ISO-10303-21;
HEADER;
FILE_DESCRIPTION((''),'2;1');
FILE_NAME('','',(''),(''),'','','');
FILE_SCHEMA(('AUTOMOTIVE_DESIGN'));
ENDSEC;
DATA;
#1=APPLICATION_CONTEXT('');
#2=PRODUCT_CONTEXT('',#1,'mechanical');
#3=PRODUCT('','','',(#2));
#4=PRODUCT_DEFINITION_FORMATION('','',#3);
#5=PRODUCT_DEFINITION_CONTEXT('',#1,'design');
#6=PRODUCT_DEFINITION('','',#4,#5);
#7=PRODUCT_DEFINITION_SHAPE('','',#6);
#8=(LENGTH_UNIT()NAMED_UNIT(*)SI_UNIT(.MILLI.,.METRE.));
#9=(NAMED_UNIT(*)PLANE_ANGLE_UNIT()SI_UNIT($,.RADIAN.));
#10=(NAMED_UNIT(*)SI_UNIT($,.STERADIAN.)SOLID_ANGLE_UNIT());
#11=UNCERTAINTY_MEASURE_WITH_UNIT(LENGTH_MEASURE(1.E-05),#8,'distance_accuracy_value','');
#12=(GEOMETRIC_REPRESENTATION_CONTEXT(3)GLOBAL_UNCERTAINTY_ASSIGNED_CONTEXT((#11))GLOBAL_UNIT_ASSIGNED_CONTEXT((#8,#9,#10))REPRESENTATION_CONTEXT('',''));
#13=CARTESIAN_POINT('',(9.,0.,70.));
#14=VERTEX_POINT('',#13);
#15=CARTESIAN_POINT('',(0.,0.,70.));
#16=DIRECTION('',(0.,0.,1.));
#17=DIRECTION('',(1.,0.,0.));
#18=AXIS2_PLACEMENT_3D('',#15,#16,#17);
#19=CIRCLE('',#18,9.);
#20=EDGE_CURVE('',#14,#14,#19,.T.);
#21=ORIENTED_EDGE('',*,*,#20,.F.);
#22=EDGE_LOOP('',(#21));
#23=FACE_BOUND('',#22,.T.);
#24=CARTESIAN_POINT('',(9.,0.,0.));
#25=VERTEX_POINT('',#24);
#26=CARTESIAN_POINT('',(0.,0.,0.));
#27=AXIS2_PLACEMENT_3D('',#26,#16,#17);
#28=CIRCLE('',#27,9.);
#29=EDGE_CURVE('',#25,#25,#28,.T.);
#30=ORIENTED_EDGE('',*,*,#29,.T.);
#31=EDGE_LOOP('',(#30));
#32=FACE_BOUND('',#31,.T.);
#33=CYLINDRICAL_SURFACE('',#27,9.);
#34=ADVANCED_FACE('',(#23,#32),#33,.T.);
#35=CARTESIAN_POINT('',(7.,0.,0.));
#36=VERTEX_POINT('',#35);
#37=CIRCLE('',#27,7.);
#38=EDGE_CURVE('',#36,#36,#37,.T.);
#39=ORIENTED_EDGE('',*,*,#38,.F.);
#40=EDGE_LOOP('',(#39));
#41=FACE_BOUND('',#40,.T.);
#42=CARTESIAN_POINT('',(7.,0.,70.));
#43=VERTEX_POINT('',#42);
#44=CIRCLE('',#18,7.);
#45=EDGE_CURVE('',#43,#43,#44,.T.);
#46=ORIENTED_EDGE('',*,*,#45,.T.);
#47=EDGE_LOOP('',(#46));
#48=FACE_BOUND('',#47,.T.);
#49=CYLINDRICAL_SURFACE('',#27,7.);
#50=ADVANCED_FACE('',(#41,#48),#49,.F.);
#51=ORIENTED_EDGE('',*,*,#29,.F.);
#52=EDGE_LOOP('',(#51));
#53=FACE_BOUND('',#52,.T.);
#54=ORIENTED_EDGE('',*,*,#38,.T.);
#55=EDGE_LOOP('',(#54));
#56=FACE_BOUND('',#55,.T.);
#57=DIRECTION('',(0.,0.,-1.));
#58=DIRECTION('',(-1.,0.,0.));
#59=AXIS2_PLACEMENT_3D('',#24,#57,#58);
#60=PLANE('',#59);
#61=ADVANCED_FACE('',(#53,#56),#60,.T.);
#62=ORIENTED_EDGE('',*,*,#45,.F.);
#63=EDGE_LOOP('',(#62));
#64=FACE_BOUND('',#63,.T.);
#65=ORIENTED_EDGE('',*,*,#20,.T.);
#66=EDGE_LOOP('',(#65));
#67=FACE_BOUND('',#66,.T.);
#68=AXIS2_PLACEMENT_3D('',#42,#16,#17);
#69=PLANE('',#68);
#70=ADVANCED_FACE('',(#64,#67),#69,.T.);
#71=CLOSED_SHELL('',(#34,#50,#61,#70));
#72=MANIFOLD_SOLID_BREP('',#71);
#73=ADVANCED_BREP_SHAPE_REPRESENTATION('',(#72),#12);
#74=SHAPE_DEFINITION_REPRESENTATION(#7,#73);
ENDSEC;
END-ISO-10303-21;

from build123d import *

# Parameters (mm, degrees)
SKETCH_1_W = 2
SKETCH_1_H = 70


with BuildPart() as part:
    # 草图1 → 旋转1 (revolve)
    with BuildSketch(Plane(origin=(0, 0, 0), x_dir=(1, 0, 0), z_dir=(0, 1, 0))):
        with Locations((8, -35)):
            Rectangle(SKETCH_1_W, SKETCH_1_H)
    revolve(axis=Axis((0, 0, 0), (0, 0, 1)))


solid = part.part
